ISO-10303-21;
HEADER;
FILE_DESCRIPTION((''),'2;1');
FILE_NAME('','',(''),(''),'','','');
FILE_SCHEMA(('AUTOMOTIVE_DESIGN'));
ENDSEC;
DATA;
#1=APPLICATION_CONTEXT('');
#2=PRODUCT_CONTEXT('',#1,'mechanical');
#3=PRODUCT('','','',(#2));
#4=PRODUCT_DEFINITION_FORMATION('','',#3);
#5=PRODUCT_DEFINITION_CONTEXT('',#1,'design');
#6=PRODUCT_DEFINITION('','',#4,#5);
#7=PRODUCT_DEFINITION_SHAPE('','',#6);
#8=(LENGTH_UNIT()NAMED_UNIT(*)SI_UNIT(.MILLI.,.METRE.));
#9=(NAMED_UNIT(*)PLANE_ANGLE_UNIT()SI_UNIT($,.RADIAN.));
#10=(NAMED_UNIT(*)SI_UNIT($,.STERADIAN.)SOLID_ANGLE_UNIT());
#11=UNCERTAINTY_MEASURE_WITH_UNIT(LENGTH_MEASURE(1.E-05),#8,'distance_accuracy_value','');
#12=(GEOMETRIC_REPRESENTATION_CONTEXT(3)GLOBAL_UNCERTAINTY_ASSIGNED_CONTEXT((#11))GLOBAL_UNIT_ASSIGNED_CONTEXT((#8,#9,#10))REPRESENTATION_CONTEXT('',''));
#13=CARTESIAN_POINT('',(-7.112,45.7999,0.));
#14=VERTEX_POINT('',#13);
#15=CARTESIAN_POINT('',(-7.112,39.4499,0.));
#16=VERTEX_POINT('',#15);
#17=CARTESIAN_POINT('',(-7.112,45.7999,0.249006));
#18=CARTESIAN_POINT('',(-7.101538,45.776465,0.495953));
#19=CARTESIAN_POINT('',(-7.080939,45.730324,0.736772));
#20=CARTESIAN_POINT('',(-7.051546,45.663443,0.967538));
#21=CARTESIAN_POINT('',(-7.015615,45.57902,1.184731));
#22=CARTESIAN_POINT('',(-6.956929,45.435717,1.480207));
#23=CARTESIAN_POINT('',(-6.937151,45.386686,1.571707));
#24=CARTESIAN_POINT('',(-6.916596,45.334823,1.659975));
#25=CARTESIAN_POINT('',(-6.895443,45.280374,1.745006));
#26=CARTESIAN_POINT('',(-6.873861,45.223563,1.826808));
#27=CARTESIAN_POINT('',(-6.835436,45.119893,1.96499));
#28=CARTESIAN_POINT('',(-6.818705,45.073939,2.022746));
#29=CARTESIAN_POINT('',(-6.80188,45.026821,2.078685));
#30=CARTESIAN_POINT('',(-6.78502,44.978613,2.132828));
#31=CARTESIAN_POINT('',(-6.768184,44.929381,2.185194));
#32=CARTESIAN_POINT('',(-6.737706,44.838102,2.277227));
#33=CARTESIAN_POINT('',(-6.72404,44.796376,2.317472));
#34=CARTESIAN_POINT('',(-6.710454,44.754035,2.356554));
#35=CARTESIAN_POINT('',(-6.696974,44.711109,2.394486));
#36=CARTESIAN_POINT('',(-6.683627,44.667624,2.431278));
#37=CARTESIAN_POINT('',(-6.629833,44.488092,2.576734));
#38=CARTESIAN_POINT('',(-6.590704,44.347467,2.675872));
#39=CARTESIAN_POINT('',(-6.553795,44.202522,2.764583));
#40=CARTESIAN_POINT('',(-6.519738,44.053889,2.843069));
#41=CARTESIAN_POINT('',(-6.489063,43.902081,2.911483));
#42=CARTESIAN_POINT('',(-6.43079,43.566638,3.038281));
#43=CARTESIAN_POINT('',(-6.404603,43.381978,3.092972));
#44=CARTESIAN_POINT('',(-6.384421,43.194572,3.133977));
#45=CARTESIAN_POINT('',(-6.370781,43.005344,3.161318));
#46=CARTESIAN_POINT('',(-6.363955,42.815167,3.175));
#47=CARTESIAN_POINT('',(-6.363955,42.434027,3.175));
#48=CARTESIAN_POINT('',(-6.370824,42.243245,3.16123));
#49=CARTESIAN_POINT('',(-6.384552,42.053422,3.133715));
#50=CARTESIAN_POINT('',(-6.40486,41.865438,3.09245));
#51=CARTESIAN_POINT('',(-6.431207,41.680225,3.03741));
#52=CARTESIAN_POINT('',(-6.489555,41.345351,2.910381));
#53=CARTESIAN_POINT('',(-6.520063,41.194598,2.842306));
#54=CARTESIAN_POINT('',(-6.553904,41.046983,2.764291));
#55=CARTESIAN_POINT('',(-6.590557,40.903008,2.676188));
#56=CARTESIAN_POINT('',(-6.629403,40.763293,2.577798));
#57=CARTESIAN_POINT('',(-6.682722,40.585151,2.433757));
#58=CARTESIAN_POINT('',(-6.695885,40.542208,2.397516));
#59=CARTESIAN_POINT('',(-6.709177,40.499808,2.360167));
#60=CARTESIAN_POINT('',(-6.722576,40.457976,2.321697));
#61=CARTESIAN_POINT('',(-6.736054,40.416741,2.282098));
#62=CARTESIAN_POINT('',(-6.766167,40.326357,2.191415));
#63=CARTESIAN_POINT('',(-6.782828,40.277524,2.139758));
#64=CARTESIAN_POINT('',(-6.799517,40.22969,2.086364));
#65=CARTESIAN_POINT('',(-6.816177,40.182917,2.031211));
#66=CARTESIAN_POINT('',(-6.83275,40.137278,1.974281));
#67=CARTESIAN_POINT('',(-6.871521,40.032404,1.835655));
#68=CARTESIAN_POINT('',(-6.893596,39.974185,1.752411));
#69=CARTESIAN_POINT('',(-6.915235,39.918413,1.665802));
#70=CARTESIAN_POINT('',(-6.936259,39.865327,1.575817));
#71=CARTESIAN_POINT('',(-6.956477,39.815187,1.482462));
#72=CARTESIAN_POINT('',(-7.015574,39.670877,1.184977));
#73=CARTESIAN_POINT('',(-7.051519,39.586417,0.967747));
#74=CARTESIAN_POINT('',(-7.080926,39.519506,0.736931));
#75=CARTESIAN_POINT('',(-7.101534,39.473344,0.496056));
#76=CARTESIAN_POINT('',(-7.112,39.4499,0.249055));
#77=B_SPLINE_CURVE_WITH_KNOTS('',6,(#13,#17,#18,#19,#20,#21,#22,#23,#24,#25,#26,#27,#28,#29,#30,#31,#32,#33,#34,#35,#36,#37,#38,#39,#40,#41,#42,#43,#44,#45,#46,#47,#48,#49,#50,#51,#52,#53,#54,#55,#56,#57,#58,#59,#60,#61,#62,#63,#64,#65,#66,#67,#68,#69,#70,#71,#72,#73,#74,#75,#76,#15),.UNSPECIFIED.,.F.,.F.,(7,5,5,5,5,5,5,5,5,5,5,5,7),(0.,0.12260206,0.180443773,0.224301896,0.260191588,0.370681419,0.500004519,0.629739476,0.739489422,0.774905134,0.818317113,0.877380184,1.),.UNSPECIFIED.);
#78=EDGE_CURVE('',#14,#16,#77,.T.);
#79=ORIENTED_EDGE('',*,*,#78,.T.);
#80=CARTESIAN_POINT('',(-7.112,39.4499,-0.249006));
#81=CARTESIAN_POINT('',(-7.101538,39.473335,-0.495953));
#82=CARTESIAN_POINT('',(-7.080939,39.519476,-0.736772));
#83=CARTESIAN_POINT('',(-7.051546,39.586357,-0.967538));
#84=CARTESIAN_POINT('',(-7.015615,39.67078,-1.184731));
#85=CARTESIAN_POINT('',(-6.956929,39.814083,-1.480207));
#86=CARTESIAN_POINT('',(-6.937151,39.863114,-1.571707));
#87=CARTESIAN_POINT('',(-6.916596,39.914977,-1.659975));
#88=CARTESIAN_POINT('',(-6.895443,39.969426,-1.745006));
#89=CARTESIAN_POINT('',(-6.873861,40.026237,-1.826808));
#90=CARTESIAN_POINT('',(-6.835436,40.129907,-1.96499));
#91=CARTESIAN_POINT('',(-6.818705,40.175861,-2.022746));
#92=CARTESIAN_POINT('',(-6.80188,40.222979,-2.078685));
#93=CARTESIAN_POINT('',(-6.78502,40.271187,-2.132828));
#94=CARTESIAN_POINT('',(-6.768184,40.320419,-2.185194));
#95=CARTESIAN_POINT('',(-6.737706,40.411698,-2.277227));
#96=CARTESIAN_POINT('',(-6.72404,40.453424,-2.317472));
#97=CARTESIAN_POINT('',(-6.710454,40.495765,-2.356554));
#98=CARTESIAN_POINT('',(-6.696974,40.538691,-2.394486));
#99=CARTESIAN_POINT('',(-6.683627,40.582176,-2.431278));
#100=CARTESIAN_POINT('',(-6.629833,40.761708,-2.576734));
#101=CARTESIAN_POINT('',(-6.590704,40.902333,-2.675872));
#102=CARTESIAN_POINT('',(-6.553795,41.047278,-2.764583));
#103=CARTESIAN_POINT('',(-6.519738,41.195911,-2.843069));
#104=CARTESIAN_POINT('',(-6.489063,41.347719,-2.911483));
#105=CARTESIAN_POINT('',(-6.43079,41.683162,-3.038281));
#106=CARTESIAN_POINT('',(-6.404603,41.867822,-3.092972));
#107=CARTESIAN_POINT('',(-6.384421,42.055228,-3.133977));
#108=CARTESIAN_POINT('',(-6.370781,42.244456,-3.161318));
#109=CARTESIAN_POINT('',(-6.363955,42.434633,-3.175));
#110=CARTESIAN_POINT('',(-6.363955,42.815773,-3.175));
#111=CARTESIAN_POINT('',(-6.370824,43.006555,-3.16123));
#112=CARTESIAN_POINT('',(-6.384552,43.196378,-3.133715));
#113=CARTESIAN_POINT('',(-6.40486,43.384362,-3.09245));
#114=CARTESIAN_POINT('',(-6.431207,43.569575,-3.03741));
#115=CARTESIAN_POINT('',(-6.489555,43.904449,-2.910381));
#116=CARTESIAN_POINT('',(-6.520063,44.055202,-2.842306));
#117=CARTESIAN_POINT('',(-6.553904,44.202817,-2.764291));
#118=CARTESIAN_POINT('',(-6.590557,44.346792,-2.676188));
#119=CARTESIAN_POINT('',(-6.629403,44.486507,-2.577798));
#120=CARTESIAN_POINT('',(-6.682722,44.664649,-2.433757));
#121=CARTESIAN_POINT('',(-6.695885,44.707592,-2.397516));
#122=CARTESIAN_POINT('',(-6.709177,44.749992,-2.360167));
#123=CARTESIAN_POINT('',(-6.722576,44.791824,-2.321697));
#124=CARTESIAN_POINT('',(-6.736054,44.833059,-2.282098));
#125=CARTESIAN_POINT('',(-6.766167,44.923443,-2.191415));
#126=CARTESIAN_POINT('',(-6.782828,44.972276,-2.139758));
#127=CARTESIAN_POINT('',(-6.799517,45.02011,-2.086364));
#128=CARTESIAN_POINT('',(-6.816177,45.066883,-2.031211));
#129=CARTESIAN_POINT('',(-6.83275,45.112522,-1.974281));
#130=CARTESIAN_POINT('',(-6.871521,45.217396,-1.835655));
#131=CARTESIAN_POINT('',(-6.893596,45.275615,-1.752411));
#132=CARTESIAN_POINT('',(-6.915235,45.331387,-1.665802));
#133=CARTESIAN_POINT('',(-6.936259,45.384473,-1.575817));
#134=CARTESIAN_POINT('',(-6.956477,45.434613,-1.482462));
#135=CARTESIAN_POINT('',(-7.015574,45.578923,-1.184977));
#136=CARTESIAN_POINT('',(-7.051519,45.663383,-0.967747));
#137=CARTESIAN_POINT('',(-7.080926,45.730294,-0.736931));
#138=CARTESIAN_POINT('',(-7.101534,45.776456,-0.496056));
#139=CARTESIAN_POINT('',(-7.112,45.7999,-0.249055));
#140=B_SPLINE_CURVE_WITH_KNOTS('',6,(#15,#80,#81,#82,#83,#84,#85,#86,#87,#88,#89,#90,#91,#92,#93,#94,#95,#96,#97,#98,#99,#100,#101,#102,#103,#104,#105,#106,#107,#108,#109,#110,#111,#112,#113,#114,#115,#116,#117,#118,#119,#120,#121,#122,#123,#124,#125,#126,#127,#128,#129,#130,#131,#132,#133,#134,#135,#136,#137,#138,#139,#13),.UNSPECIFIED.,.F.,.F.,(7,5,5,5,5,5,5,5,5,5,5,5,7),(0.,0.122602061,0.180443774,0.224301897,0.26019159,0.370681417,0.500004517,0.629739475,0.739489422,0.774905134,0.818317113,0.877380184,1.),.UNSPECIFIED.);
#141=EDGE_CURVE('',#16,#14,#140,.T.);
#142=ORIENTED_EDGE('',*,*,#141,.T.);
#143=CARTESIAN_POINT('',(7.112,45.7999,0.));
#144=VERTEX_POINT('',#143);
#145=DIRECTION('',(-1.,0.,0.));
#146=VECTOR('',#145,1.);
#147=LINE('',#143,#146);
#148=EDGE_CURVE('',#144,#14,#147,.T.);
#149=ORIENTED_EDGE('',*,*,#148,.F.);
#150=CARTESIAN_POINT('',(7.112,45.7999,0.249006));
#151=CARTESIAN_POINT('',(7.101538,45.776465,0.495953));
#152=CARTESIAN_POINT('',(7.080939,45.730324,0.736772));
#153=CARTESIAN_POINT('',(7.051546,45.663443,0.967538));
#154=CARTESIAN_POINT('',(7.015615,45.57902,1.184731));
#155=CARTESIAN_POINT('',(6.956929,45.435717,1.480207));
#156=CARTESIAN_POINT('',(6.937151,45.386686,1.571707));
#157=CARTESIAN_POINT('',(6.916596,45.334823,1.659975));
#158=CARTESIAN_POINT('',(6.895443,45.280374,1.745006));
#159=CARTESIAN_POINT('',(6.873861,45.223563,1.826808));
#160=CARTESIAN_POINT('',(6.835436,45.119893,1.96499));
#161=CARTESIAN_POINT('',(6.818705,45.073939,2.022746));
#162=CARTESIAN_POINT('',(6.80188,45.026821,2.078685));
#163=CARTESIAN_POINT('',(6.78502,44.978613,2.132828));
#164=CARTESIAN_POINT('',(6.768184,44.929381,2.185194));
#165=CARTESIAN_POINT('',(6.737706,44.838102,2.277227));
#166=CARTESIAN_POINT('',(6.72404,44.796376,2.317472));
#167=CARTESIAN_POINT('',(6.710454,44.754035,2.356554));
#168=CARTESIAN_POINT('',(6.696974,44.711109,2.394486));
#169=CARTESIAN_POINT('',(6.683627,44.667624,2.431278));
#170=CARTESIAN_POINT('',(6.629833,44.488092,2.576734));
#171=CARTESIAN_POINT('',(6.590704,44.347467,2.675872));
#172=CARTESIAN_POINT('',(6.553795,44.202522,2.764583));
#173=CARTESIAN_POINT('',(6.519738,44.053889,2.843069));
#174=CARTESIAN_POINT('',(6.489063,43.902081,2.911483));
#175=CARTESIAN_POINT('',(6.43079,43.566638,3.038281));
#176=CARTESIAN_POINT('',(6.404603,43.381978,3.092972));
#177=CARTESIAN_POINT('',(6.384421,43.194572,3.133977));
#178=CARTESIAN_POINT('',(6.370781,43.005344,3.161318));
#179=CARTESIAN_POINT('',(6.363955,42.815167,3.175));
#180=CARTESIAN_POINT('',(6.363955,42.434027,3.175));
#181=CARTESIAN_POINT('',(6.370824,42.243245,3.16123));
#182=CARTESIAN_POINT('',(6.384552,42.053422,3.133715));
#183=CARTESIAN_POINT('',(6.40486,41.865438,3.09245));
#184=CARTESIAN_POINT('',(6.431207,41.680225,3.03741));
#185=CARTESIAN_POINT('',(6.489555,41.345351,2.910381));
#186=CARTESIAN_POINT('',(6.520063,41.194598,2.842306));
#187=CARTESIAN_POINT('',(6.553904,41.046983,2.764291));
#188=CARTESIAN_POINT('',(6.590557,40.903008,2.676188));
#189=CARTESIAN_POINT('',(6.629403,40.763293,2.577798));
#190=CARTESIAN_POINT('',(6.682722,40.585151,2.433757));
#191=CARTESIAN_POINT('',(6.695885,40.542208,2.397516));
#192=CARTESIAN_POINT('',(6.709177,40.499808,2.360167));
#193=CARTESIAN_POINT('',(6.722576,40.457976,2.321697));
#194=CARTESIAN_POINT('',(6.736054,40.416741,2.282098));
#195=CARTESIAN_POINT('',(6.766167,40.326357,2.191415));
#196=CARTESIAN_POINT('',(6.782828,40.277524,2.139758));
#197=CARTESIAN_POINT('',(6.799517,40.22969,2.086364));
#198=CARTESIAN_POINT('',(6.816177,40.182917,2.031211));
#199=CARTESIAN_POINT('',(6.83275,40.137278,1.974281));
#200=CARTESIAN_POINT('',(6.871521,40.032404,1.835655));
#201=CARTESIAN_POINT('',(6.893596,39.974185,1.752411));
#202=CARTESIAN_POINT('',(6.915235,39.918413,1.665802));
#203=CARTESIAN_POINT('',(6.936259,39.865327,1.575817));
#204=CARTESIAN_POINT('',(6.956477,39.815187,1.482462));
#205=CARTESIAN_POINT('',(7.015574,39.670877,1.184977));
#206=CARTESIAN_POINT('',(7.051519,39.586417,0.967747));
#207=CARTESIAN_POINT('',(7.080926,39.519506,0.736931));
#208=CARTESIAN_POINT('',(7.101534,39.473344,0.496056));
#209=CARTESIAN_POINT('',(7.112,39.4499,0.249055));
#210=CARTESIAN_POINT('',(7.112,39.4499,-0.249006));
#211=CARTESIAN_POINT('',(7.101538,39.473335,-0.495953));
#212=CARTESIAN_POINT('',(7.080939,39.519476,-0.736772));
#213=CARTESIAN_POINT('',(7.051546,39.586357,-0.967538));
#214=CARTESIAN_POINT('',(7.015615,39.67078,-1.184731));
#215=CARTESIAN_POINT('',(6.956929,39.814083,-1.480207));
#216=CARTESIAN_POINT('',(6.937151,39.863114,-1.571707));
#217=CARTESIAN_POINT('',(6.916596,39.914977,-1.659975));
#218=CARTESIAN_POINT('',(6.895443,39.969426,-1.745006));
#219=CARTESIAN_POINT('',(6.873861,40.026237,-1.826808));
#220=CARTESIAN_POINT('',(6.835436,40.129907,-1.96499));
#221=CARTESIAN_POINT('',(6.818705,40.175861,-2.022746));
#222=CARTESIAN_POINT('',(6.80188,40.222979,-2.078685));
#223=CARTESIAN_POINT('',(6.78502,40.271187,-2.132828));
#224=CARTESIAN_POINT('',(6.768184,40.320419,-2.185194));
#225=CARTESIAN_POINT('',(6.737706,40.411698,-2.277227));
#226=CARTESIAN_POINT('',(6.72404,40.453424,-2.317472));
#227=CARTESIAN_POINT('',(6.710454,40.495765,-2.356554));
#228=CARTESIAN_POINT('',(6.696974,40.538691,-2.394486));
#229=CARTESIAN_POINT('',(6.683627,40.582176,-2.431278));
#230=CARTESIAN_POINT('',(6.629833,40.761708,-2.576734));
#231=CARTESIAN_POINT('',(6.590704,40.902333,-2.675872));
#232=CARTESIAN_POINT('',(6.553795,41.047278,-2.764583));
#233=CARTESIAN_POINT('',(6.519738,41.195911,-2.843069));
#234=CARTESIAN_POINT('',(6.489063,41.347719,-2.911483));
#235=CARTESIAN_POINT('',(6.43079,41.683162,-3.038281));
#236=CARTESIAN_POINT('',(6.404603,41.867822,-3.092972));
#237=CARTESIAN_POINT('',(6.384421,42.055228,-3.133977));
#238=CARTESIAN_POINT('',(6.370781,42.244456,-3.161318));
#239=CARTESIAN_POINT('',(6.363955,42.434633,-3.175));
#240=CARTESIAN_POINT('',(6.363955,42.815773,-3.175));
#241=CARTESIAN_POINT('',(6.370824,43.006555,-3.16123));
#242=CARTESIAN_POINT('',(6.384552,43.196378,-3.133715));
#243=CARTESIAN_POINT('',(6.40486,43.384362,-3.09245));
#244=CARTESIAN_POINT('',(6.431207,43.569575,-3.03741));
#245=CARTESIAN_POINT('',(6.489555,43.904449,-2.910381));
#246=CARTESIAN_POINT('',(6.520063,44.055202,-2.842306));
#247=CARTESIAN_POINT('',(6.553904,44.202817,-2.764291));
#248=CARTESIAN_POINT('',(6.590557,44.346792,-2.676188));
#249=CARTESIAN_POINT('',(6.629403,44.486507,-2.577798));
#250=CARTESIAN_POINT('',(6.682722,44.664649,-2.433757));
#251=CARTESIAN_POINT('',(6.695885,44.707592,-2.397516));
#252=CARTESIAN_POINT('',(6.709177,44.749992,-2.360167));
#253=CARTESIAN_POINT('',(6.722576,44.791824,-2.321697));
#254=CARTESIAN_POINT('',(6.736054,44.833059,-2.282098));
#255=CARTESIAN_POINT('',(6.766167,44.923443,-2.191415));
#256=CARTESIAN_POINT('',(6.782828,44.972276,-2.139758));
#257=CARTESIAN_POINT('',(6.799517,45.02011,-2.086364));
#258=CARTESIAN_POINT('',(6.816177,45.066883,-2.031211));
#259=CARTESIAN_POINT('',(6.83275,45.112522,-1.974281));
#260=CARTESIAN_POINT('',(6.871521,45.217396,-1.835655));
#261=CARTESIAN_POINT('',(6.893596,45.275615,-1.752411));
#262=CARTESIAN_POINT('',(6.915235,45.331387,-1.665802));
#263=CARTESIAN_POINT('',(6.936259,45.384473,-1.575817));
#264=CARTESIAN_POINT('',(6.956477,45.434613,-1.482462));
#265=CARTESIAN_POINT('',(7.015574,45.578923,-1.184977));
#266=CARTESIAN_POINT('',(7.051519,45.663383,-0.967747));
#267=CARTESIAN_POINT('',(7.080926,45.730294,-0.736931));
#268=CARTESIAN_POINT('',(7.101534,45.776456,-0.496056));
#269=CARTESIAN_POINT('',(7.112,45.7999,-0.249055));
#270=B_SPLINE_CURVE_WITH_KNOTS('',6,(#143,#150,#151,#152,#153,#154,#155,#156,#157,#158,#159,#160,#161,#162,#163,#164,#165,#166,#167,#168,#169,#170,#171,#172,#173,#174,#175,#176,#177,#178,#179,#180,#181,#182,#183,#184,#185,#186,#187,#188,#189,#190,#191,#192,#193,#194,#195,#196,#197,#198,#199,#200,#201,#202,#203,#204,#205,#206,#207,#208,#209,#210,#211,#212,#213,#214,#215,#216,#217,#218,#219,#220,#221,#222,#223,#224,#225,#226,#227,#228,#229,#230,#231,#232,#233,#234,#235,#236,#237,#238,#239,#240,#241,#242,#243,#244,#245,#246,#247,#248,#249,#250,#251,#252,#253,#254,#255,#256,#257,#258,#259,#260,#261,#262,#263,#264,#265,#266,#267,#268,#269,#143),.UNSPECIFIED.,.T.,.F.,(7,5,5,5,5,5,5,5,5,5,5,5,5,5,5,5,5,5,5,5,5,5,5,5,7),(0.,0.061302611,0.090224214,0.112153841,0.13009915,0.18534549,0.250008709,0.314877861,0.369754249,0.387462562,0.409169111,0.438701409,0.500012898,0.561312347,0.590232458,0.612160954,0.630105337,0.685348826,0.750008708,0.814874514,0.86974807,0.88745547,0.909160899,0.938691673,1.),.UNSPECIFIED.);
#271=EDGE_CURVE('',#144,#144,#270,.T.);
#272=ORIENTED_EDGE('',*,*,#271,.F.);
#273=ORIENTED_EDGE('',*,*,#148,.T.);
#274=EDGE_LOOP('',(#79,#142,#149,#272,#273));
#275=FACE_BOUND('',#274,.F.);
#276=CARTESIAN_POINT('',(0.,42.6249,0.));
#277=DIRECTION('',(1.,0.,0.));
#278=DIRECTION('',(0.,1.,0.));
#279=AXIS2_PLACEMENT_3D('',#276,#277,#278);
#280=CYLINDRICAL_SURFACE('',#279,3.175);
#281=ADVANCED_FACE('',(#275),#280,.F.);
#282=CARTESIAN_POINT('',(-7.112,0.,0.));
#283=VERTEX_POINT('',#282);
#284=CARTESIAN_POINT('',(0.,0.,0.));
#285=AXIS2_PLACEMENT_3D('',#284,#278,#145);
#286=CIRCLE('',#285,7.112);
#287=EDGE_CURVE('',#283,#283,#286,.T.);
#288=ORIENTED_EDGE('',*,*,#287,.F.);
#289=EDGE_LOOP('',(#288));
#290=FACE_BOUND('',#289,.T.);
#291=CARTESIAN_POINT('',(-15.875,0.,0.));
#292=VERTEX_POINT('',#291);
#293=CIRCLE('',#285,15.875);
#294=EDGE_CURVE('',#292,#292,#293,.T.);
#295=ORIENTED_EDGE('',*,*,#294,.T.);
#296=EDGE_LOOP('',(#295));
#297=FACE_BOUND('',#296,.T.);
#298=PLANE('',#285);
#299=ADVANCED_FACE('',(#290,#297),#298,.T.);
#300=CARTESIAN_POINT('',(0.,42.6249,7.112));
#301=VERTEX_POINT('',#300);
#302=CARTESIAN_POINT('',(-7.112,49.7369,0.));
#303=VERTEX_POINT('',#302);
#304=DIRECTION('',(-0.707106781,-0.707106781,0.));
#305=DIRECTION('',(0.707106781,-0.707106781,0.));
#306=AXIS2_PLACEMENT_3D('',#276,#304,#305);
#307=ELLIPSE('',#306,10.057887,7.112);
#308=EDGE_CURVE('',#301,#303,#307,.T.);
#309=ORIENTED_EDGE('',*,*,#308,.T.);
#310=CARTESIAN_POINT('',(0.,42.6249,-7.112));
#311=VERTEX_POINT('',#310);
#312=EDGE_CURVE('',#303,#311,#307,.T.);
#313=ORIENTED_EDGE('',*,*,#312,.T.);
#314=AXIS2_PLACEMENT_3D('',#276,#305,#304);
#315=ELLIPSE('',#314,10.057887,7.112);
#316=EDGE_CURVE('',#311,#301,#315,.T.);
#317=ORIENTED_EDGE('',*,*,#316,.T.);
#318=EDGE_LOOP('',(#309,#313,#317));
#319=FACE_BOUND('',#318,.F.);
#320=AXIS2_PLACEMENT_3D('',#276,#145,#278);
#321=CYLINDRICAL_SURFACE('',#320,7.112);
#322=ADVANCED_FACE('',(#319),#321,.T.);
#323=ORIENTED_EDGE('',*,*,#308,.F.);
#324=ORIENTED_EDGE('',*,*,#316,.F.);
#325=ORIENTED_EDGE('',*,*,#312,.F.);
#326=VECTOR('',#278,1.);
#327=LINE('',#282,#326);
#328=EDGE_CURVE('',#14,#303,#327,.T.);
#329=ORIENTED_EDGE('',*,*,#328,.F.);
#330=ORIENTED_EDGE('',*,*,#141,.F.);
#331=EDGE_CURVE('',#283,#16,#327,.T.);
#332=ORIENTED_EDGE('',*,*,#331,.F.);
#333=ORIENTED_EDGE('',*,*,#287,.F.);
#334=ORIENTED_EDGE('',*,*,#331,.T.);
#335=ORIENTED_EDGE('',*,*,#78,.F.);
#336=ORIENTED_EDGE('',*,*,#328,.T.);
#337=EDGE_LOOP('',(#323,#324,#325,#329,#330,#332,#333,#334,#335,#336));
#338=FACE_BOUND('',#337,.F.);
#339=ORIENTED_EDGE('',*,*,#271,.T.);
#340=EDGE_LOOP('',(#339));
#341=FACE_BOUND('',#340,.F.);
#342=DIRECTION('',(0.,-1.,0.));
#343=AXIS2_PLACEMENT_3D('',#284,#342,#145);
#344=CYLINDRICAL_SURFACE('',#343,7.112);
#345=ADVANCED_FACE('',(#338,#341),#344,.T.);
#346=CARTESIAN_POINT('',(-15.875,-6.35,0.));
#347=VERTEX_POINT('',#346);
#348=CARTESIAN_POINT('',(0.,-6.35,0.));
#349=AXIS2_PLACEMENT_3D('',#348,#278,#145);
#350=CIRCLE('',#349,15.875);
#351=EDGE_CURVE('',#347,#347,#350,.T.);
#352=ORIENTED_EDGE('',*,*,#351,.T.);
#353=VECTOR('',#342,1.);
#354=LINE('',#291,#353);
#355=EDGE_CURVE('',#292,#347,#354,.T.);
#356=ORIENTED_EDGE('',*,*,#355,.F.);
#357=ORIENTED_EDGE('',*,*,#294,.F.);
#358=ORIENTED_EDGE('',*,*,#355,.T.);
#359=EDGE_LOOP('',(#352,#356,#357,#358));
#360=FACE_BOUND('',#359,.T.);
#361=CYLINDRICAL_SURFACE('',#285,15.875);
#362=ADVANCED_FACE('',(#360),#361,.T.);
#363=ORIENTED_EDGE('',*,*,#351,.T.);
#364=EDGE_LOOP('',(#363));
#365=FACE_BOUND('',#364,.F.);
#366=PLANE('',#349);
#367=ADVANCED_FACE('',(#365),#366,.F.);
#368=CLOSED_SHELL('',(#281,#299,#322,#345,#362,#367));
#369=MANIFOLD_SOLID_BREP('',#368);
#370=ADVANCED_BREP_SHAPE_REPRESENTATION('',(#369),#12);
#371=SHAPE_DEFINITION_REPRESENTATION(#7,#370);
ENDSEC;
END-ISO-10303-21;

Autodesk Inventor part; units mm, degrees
ref_plane "YZ Plane" through (0, 0, 0) normal (1, 0, 0) x (0, 1, 0)
ref_plane "XZ Plane" through (0, 0, 0) normal (0, 1, 0) x (-1, 0, 0)
ref_plane "XY Plane" through (0, 0, 0) normal (0, 0, 1) x (1, 0, 0)
sketch "Sketch1" plane through (0, 0, 0) normal (0, 1, 0) x (-1, 0, 0)
  circle A0 centre (0, 0) radius 15.875
  circle A1 centre (0, 0) radius 7.112
  dimension "d0" = 31.75
  dimension "d1" = 14.224
extrude "Extrusion1" add sketch "Sketch1" along normal blind 50.8 contours A1
extrude "Extrusion2" add sketch "Sketch1" against normal blind 6.35 contours A0 | A1
sketch "Sketch2" plane through (0, 0, 0) normal (1, 0, 0) x (0, 1, 0)
  line L0 (50.8, -7.112) -> (50.8, 7.112) projected
  circle A0 centre (42.6249, 0) radius 3.175
  circle A1 centre (42.6249, 0) radius 7.112
  line L1 (0, -7.112) -> (50.8, -7.112) projected
  line L2 (42.6249, -7.112) -> (42.6249, -13.9262)
  line L3 (42.6249, -13.9262) -> (57.419, -13.9262)
  line L4 (57.419, -13.9262) -> (57.419, 14.0929)
  line L5 (57.419, 14.0929) -> (42.6249, 14.0929)
  line L6 (42.6249, 14.0929) -> (42.6249, 7.112)
  point P0 (0, 0)
  point P1 (39.4499, 0)
  dimension "d7" = 6.35
extrude "Extrusion3" cut sketch "Sketch2" along normal mid plane 127 contours A0 | A1 L6 L5 L4 L3 L2
properties part number "Load Cell Test Mount to Find Required Torque Application"
